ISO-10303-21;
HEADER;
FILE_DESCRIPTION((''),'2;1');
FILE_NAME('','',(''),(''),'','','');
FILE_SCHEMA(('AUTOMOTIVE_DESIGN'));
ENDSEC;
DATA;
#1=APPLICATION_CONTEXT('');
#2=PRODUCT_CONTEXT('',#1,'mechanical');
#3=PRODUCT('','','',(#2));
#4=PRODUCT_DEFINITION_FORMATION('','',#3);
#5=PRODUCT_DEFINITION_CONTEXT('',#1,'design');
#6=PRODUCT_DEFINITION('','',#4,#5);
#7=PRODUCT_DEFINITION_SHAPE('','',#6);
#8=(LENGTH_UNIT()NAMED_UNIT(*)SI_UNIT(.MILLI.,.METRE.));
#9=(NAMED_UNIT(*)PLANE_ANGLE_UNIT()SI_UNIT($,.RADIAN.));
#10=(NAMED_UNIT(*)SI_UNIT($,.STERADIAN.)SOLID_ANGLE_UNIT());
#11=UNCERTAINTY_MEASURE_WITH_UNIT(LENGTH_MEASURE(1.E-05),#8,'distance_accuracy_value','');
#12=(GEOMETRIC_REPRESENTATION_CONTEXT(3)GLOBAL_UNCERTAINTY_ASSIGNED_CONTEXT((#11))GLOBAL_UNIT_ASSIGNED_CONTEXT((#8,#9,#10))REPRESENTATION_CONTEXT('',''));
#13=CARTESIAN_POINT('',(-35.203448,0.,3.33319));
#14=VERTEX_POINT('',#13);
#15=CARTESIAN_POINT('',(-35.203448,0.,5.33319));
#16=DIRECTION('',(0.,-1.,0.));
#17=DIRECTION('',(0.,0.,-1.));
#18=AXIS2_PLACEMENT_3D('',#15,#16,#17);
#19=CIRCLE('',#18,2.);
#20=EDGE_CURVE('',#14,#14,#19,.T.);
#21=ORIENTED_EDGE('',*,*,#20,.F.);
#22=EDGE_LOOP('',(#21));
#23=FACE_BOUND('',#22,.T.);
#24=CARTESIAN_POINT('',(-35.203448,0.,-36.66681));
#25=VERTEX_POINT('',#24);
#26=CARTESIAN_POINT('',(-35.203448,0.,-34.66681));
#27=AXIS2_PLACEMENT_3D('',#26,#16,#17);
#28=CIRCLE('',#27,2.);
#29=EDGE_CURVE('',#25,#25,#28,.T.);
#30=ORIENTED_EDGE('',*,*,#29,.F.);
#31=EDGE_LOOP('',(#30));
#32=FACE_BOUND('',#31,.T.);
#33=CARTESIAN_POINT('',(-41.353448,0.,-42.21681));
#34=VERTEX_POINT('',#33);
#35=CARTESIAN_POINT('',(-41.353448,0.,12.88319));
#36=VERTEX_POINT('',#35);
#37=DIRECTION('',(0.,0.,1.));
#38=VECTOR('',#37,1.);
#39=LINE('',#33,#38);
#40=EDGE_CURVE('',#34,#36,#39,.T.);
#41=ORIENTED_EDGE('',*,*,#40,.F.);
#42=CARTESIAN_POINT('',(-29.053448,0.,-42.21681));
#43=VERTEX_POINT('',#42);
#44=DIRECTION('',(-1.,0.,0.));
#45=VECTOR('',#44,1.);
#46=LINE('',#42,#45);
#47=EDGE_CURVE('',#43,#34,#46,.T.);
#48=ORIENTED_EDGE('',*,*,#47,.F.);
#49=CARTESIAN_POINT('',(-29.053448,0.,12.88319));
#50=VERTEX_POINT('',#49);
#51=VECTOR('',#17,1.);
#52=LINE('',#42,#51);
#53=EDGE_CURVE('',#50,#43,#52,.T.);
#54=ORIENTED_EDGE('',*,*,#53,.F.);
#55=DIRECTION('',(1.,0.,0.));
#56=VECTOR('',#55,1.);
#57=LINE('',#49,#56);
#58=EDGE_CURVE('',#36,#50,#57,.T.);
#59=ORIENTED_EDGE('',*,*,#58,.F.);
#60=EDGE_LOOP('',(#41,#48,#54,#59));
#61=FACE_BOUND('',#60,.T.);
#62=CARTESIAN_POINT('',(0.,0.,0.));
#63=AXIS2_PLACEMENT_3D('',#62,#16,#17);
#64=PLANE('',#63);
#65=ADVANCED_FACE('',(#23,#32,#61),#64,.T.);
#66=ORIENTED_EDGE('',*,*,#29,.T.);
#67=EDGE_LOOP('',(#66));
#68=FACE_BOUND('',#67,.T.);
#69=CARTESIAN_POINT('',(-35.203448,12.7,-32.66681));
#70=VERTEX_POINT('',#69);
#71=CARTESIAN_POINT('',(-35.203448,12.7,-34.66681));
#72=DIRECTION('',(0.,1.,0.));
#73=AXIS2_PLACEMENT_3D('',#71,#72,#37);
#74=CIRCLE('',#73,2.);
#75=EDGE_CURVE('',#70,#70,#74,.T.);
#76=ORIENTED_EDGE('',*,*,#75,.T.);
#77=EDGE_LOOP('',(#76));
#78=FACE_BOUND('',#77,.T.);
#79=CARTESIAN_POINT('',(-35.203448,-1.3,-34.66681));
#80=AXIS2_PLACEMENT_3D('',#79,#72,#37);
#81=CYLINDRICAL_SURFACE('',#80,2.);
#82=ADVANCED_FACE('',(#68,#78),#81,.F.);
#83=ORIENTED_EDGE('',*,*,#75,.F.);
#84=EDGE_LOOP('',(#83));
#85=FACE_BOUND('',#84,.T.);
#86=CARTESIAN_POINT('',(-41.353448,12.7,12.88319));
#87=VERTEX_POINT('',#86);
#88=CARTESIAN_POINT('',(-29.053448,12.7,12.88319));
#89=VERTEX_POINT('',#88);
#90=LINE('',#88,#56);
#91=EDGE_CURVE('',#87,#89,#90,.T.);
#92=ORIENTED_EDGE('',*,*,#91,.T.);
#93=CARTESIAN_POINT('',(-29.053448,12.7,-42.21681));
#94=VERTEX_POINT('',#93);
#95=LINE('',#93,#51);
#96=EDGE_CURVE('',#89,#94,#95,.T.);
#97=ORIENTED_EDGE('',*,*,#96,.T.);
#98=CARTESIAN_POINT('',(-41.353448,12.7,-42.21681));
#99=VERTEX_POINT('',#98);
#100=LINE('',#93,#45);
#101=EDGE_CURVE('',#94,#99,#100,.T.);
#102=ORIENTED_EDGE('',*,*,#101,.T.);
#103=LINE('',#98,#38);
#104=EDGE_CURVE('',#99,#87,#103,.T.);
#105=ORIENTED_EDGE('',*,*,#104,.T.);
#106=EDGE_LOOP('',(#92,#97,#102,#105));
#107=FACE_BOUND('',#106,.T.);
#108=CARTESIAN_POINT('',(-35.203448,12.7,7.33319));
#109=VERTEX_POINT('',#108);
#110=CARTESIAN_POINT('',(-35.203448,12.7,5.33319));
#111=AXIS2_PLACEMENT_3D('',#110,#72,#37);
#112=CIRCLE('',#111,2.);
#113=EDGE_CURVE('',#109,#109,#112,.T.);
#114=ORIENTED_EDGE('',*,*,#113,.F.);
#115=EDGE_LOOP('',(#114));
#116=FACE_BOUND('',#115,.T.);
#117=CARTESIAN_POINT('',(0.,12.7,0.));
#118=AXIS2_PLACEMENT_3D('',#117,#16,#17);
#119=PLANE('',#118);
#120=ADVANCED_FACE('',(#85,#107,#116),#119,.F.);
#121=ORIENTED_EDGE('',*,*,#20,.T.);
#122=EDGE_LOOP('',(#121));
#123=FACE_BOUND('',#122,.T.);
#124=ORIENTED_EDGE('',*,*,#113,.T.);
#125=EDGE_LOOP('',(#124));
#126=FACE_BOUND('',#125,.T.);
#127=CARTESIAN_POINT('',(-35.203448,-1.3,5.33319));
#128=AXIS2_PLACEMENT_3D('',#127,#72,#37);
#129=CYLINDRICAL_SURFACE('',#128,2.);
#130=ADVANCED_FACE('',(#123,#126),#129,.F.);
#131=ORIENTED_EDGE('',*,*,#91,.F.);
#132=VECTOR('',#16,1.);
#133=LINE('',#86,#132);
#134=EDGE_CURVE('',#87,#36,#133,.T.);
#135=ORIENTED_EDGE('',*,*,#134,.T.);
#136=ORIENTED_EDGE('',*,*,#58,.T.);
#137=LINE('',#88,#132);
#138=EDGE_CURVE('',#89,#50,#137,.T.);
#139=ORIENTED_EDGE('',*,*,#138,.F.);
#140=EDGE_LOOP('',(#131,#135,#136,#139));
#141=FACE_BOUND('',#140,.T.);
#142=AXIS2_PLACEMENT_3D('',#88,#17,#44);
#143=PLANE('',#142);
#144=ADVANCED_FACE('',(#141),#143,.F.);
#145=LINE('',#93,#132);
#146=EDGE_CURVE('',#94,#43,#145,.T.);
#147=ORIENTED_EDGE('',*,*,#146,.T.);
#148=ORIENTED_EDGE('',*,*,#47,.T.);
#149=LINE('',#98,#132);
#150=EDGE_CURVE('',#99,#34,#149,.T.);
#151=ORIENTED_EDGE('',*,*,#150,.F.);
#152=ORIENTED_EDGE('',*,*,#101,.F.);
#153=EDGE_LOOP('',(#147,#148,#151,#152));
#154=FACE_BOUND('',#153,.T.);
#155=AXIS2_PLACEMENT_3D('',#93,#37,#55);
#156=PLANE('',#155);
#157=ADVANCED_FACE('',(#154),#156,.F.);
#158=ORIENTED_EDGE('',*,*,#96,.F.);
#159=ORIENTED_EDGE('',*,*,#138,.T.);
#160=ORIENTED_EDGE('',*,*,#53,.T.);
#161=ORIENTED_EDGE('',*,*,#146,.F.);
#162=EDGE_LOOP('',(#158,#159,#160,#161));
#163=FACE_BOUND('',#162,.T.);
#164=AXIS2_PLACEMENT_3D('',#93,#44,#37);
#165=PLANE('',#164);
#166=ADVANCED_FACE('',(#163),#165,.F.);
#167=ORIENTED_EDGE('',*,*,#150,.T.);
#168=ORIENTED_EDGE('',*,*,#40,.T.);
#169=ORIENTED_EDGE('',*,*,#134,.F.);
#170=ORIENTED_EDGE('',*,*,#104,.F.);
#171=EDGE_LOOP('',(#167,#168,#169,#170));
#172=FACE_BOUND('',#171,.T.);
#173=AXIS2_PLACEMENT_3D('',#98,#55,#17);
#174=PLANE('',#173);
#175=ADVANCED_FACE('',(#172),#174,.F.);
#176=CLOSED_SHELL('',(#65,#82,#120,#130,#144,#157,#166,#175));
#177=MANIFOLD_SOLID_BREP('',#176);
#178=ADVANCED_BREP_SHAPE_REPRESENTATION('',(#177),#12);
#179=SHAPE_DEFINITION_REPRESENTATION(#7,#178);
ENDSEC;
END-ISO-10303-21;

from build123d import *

# Parameters (mm, degrees)
SKETCH1_W           = 12.3
SKETCH1_H           = 55.1
BOSS_EXTRUDE1_DEPTH = 12.7
SKETCH2_R           = 2
CUT_EXTRUDE1_DEPTH  = 14


with BuildPart() as part:
    # Sketch1 → Boss-Extrude1 (new body)
    with BuildSketch(Plane(origin=(0, 0, 0), x_dir=(1, 0, 0), z_dir=(0, 1, 0))):
        with Locations((-35.203448276, 14.666810345)):
            Rectangle(SKETCH1_W, SKETCH1_H)
    extrude(amount=BOSS_EXTRUDE1_DEPTH)

    # Sketch2 → Cut-Extrude1 (cut)
    with BuildSketch(Plane(origin=(0, 12.7, 0), x_dir=(1, 0, 0), z_dir=(0, 1, 0))):
        with Locations(Location((-35.203448276, -5.333189655, 0), (0, 0, 270))):
            Circle(SKETCH2_R)
        with Locations(Location((-35.203448276, 34.666810345, 0), (0, 0, 270))):
            Circle(SKETCH2_R)
    extrude(amount=-CUT_EXTRUDE1_DEPTH, mode=Mode.SUBTRACT)


solid = part.part
